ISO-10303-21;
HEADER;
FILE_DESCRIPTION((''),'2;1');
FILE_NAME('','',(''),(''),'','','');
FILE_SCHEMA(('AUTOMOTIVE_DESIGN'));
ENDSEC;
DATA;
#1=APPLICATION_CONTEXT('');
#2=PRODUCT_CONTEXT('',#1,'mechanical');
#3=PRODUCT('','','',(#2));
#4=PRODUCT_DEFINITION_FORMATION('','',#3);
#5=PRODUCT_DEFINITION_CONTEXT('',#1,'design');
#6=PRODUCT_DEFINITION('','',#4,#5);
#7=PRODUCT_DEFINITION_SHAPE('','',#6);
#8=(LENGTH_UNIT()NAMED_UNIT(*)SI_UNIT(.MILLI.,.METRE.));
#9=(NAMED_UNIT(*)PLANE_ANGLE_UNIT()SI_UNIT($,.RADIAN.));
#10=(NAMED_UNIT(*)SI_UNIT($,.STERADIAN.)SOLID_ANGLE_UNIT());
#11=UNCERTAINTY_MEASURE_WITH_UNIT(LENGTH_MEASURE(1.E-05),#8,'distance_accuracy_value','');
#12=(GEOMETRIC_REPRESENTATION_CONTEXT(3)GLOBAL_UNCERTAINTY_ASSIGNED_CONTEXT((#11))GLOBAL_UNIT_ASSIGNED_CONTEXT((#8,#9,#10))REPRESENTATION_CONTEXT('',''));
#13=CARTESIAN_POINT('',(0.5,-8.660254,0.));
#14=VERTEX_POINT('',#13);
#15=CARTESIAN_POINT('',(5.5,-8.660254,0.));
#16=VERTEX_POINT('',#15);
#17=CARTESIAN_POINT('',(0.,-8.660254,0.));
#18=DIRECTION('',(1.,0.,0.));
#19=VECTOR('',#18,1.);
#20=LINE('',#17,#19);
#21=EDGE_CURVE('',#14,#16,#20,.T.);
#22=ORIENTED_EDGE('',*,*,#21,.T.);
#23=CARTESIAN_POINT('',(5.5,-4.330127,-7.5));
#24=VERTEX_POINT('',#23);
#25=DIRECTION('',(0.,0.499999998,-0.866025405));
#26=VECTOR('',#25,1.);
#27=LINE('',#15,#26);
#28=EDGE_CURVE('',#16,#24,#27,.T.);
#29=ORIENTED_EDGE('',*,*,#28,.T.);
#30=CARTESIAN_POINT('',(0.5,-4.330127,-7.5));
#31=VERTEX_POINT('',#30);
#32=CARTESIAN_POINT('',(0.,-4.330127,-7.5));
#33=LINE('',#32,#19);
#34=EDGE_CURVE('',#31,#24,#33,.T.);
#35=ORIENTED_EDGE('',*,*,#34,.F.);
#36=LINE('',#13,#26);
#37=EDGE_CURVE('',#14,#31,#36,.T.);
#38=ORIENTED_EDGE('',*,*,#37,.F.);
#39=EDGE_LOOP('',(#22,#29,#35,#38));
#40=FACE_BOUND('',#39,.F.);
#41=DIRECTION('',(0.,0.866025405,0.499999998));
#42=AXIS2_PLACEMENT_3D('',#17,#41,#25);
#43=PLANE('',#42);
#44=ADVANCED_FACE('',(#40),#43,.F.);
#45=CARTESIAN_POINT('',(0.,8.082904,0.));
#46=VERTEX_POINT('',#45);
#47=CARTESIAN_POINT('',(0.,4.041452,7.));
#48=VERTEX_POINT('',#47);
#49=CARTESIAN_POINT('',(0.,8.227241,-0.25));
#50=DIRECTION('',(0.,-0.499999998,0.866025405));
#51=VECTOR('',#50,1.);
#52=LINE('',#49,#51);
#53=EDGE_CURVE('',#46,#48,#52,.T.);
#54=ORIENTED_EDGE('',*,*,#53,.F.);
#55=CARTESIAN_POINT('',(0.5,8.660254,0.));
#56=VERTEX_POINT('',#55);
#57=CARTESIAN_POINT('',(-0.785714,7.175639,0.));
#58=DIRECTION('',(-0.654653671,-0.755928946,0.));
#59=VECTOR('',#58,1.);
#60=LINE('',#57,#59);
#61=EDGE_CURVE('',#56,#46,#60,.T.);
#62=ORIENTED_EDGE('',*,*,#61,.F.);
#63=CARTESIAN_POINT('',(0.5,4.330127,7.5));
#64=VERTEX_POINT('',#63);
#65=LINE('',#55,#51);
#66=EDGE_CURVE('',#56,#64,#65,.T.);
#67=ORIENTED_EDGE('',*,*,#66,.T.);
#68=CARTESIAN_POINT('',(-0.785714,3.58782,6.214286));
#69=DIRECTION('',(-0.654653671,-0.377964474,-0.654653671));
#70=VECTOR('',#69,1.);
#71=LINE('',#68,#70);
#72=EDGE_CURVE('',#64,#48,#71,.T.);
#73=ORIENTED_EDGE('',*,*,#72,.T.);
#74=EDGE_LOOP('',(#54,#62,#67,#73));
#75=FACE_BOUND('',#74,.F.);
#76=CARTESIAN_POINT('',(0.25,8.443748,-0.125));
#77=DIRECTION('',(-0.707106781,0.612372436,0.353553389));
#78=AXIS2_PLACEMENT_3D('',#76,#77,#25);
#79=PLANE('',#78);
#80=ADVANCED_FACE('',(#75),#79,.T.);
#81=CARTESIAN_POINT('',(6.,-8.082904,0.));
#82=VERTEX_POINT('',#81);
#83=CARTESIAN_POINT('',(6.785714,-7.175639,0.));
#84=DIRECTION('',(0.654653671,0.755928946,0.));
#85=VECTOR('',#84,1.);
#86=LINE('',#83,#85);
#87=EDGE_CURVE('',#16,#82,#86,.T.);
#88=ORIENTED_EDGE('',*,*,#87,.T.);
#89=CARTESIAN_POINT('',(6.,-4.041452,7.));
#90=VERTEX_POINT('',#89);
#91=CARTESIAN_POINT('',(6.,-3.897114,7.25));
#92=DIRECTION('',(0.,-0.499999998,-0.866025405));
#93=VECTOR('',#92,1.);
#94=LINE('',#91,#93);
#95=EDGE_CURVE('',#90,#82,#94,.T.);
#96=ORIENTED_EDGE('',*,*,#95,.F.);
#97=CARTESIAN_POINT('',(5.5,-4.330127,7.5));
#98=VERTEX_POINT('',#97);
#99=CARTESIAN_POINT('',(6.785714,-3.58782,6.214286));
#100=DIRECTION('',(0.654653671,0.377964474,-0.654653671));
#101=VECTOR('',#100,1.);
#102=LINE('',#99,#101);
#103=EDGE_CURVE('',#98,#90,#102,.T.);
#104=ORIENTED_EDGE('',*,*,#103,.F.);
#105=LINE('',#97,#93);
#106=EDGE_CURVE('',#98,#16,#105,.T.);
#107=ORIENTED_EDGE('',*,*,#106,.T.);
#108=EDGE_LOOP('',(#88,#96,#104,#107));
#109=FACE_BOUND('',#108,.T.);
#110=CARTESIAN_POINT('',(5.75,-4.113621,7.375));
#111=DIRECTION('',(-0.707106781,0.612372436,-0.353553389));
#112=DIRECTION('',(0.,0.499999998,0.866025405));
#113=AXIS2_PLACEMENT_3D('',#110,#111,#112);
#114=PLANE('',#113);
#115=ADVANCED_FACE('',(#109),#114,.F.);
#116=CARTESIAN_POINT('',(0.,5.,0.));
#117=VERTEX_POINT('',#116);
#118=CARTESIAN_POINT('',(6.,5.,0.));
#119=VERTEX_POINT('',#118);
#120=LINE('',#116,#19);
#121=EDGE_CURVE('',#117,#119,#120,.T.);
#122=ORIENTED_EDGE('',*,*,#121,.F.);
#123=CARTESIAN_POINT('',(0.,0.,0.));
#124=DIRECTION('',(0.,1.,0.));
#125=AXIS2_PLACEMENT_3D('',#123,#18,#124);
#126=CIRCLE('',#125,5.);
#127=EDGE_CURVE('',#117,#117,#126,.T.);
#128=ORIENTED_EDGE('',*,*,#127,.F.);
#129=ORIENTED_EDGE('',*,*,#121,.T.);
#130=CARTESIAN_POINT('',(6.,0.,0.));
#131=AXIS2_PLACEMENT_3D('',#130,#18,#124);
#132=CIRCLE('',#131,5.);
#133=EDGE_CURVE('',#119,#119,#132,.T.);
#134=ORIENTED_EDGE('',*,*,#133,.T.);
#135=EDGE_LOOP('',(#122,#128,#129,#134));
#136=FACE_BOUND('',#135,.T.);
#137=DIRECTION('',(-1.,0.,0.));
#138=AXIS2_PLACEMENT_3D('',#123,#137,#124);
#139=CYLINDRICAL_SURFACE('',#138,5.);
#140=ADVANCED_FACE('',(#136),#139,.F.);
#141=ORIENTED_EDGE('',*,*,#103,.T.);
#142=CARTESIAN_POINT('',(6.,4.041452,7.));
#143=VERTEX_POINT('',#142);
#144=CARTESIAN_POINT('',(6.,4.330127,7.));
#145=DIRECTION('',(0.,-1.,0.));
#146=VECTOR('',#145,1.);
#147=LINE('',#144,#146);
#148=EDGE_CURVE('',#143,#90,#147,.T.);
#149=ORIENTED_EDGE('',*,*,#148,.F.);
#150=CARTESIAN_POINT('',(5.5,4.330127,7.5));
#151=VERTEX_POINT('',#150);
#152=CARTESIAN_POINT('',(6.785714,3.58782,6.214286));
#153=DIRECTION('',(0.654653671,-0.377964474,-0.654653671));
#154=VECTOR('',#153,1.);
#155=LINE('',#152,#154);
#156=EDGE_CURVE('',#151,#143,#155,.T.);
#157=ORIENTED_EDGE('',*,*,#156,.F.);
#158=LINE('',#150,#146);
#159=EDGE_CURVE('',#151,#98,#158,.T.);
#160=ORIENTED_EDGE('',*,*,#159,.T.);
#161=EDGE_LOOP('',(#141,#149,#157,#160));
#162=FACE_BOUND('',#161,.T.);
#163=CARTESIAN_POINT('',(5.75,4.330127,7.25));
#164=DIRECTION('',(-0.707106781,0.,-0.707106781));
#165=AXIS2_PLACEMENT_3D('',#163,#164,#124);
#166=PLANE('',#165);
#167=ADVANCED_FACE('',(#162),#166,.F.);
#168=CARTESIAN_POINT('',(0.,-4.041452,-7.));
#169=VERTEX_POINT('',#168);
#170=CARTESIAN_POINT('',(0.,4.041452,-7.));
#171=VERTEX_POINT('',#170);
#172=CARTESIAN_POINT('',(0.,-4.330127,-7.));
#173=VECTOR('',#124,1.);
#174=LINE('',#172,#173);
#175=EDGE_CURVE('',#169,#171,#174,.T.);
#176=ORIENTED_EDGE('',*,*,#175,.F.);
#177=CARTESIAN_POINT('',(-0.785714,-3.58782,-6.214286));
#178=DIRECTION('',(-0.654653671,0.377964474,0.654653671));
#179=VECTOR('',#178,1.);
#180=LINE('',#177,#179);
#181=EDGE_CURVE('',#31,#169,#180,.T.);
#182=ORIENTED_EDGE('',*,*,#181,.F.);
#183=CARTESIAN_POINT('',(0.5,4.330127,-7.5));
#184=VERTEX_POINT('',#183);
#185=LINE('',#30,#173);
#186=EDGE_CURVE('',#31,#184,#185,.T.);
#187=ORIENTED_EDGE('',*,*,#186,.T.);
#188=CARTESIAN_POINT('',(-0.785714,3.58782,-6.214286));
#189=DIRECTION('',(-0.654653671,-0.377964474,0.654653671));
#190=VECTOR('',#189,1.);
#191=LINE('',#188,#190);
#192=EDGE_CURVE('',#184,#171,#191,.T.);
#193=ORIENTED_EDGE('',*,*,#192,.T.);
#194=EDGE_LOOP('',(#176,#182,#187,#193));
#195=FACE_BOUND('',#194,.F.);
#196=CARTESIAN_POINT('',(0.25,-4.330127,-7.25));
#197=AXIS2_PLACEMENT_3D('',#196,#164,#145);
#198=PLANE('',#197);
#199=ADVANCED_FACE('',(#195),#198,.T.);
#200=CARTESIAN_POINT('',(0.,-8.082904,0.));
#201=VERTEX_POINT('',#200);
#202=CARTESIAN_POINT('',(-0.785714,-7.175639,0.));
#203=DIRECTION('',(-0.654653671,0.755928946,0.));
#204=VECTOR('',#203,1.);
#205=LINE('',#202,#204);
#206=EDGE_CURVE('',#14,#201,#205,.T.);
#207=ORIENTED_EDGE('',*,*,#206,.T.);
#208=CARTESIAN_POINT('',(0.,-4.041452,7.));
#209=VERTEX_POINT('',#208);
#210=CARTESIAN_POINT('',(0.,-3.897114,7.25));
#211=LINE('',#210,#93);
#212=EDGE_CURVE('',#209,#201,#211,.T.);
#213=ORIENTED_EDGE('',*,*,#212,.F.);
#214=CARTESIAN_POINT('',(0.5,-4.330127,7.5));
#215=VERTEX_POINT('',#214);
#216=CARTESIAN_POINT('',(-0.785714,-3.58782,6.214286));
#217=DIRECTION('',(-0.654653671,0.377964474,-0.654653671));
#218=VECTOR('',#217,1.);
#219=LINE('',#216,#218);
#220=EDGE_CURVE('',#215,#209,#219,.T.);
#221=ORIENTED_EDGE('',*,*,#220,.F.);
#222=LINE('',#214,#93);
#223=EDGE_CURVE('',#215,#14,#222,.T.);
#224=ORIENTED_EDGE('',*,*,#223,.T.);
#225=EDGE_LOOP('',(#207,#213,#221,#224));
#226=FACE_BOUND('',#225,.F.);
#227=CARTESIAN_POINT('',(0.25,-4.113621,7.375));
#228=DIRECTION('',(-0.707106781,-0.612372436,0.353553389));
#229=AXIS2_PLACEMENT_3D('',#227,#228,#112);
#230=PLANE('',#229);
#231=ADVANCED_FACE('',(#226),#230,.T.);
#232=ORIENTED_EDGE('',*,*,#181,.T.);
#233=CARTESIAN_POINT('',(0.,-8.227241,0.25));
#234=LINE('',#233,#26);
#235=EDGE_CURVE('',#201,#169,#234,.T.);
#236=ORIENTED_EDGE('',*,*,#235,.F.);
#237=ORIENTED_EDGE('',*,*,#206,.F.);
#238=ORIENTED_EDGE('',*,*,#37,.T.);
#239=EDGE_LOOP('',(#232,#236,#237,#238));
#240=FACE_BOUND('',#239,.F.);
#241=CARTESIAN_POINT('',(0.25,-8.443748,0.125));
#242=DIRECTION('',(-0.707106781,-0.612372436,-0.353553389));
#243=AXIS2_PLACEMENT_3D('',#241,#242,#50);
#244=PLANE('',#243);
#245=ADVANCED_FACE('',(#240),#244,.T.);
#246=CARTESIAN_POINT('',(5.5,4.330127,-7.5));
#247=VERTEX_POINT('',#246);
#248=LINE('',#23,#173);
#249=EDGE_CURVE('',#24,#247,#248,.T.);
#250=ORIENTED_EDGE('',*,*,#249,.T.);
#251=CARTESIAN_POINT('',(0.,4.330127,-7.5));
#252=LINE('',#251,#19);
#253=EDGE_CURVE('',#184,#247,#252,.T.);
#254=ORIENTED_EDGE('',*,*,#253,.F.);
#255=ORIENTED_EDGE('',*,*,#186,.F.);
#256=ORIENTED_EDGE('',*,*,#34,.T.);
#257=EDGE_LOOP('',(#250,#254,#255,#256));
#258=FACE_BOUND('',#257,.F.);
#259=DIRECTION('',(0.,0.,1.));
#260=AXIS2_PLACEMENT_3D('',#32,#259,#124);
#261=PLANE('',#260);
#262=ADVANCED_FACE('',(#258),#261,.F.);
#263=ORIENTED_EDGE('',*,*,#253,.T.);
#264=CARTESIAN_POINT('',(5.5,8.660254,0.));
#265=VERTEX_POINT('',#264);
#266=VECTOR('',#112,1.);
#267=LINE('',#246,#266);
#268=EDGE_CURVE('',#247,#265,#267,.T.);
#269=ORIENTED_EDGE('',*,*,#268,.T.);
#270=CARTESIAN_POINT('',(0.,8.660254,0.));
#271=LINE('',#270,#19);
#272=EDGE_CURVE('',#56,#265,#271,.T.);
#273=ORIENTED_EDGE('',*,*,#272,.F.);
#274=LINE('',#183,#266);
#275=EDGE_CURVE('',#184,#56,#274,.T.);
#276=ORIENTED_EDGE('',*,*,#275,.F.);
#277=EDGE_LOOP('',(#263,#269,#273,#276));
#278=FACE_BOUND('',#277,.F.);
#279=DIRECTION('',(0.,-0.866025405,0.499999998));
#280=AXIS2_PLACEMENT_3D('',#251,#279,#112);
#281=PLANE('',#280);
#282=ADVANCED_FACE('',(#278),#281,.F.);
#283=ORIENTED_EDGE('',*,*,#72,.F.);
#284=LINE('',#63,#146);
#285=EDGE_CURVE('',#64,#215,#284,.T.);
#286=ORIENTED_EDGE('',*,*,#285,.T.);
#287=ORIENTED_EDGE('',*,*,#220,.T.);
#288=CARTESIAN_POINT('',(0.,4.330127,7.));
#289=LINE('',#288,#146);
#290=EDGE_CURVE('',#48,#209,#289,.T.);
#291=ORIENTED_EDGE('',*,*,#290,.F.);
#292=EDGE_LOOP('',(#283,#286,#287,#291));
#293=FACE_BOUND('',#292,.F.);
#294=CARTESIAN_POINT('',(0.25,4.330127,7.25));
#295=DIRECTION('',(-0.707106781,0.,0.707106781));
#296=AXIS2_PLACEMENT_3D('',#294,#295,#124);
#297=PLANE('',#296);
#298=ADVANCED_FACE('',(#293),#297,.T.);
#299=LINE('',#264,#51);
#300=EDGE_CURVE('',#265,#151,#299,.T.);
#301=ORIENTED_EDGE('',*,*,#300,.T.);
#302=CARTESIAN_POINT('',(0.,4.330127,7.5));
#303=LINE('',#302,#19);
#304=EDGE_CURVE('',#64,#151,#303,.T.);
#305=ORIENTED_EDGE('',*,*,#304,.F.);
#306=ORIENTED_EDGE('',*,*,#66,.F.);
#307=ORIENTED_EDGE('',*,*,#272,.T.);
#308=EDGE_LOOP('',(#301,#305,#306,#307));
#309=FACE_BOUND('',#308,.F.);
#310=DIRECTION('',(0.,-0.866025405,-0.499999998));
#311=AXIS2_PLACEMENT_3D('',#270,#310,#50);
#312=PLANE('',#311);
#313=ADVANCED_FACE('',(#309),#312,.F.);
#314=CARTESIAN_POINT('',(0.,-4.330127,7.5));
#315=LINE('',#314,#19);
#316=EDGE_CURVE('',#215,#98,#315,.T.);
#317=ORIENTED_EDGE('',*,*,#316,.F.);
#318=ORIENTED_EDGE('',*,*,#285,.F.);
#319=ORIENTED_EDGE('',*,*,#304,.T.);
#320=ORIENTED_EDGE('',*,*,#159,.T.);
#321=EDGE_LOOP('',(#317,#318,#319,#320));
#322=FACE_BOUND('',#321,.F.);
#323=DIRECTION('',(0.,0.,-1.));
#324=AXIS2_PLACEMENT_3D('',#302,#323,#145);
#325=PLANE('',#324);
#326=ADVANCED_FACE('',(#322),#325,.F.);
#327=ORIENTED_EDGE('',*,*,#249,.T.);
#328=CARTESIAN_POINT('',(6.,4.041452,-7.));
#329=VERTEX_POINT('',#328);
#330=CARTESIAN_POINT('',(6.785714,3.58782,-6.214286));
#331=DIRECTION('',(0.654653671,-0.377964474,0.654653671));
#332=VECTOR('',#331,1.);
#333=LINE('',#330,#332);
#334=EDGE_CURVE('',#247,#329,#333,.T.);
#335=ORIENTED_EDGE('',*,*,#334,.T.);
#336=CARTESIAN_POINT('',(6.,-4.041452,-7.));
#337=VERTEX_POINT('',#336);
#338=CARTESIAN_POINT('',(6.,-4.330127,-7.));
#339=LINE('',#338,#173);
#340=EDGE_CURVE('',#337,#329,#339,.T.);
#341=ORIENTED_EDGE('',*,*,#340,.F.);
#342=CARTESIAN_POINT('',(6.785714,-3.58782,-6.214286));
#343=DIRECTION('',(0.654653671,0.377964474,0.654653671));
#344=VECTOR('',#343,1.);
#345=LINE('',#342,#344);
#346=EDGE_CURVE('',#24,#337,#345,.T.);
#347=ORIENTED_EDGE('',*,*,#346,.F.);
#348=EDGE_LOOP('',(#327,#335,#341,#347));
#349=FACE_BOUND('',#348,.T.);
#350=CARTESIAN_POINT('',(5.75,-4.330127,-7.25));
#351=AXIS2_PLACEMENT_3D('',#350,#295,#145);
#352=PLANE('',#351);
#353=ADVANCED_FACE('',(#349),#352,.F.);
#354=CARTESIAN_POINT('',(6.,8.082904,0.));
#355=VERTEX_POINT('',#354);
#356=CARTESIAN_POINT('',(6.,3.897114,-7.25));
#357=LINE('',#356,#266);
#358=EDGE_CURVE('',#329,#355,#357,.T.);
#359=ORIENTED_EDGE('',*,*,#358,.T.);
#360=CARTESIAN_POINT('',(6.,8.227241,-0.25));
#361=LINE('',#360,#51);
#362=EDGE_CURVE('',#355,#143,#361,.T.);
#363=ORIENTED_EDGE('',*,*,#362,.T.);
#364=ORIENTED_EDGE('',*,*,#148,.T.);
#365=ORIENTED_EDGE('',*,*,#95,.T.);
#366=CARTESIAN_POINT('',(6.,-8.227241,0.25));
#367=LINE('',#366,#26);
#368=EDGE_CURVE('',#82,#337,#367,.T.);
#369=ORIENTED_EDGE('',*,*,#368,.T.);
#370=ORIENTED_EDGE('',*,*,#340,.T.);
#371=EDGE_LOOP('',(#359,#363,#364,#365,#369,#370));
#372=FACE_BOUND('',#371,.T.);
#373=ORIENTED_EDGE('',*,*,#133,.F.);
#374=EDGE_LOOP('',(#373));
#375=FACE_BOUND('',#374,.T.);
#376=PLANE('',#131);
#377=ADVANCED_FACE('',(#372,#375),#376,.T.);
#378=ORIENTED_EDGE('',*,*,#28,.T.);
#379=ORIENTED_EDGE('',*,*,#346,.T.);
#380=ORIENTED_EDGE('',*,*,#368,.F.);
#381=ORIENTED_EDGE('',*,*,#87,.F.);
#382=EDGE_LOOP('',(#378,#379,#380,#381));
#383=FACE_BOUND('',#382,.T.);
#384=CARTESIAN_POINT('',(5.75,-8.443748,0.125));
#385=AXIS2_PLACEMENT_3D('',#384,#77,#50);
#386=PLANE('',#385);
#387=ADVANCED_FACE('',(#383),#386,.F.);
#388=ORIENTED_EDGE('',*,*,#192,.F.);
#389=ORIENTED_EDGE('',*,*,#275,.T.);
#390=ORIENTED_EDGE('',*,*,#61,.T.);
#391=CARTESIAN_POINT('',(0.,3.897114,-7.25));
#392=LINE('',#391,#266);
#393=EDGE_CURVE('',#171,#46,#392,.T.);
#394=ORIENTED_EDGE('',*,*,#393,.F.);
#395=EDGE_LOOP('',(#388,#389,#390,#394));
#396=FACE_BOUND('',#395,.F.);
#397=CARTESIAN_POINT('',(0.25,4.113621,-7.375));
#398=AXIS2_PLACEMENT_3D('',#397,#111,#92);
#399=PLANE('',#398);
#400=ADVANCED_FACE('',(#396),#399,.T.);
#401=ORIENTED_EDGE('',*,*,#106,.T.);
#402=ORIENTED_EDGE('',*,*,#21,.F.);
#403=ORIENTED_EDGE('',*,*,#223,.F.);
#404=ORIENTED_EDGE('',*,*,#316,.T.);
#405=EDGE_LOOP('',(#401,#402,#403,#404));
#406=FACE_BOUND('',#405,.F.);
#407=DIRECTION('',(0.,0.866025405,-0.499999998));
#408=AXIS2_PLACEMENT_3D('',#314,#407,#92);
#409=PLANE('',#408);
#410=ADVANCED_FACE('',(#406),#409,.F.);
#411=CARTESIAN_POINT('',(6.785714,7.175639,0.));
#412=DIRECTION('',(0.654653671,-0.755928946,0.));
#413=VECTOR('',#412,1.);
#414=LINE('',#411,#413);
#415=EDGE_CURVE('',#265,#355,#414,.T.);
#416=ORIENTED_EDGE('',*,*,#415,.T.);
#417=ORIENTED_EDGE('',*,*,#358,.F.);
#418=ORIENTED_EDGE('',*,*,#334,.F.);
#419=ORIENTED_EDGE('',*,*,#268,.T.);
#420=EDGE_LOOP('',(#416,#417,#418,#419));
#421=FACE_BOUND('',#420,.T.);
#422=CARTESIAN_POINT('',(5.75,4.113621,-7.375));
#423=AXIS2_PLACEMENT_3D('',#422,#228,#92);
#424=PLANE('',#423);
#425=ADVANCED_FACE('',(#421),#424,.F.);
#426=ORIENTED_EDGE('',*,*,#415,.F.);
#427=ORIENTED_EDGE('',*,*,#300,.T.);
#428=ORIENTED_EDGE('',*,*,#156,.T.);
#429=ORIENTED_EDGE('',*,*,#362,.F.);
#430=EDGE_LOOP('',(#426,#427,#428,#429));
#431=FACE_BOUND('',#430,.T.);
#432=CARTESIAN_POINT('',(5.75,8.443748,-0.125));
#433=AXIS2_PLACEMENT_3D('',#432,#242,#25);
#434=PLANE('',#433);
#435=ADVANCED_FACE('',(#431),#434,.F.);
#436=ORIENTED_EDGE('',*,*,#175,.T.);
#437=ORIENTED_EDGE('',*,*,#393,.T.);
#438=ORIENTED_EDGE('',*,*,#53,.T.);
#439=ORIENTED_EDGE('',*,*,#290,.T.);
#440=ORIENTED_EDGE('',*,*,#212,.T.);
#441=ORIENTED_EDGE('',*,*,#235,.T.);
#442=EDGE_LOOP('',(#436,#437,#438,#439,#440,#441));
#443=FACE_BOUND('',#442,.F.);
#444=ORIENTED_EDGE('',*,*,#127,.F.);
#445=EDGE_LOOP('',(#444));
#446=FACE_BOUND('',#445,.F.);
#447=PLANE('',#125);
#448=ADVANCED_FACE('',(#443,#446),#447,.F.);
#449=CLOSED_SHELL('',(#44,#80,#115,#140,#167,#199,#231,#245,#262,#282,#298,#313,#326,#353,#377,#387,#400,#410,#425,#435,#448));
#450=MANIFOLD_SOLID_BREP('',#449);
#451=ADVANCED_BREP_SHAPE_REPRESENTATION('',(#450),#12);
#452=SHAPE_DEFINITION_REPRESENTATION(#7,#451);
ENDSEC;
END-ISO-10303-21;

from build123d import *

# Parameters (mm, degrees)
F0_R     = 5
F1_DEPTH = 6
F2_SIZE  = 0.5


with BuildPart() as f1:
    # F0 (on Right) → F1 (new body)
    with BuildSketch(Plane.YZ):
        Polygon((4.330127, 7.5), (-4.330127, 7.5), (-8.660254, 0), (-4.330127, -7.5), (4.330127, -7.5), (8.660254, 0), align=None)
        Circle(F0_R, mode=Mode.SUBTRACT)
    extrude(amount=F1_DEPTH)

    # F2
    f2_edges = [f1.edges().sort_by_distance(p)[0] for p in [
        (6, 0, 7.5),
        (6, 6.495191, 3.75),
        (6, 6.495191, -3.75),
        (6, 0, -7.5),
        (6, -6.495191, 3.75),
        (0, 6.495191, 3.75),
        (0, 0, 7.5),
        (0, 6.495191, -3.75),
        (0, 0, -7.5),
        (0, -6.495191, -3.75),
        (0, -6.495191, 3.75),
        (6, -6.495191, -3.75),
    ]]
    chamfer(f2_edges, length=F2_SIZE)


solid = f1.part
